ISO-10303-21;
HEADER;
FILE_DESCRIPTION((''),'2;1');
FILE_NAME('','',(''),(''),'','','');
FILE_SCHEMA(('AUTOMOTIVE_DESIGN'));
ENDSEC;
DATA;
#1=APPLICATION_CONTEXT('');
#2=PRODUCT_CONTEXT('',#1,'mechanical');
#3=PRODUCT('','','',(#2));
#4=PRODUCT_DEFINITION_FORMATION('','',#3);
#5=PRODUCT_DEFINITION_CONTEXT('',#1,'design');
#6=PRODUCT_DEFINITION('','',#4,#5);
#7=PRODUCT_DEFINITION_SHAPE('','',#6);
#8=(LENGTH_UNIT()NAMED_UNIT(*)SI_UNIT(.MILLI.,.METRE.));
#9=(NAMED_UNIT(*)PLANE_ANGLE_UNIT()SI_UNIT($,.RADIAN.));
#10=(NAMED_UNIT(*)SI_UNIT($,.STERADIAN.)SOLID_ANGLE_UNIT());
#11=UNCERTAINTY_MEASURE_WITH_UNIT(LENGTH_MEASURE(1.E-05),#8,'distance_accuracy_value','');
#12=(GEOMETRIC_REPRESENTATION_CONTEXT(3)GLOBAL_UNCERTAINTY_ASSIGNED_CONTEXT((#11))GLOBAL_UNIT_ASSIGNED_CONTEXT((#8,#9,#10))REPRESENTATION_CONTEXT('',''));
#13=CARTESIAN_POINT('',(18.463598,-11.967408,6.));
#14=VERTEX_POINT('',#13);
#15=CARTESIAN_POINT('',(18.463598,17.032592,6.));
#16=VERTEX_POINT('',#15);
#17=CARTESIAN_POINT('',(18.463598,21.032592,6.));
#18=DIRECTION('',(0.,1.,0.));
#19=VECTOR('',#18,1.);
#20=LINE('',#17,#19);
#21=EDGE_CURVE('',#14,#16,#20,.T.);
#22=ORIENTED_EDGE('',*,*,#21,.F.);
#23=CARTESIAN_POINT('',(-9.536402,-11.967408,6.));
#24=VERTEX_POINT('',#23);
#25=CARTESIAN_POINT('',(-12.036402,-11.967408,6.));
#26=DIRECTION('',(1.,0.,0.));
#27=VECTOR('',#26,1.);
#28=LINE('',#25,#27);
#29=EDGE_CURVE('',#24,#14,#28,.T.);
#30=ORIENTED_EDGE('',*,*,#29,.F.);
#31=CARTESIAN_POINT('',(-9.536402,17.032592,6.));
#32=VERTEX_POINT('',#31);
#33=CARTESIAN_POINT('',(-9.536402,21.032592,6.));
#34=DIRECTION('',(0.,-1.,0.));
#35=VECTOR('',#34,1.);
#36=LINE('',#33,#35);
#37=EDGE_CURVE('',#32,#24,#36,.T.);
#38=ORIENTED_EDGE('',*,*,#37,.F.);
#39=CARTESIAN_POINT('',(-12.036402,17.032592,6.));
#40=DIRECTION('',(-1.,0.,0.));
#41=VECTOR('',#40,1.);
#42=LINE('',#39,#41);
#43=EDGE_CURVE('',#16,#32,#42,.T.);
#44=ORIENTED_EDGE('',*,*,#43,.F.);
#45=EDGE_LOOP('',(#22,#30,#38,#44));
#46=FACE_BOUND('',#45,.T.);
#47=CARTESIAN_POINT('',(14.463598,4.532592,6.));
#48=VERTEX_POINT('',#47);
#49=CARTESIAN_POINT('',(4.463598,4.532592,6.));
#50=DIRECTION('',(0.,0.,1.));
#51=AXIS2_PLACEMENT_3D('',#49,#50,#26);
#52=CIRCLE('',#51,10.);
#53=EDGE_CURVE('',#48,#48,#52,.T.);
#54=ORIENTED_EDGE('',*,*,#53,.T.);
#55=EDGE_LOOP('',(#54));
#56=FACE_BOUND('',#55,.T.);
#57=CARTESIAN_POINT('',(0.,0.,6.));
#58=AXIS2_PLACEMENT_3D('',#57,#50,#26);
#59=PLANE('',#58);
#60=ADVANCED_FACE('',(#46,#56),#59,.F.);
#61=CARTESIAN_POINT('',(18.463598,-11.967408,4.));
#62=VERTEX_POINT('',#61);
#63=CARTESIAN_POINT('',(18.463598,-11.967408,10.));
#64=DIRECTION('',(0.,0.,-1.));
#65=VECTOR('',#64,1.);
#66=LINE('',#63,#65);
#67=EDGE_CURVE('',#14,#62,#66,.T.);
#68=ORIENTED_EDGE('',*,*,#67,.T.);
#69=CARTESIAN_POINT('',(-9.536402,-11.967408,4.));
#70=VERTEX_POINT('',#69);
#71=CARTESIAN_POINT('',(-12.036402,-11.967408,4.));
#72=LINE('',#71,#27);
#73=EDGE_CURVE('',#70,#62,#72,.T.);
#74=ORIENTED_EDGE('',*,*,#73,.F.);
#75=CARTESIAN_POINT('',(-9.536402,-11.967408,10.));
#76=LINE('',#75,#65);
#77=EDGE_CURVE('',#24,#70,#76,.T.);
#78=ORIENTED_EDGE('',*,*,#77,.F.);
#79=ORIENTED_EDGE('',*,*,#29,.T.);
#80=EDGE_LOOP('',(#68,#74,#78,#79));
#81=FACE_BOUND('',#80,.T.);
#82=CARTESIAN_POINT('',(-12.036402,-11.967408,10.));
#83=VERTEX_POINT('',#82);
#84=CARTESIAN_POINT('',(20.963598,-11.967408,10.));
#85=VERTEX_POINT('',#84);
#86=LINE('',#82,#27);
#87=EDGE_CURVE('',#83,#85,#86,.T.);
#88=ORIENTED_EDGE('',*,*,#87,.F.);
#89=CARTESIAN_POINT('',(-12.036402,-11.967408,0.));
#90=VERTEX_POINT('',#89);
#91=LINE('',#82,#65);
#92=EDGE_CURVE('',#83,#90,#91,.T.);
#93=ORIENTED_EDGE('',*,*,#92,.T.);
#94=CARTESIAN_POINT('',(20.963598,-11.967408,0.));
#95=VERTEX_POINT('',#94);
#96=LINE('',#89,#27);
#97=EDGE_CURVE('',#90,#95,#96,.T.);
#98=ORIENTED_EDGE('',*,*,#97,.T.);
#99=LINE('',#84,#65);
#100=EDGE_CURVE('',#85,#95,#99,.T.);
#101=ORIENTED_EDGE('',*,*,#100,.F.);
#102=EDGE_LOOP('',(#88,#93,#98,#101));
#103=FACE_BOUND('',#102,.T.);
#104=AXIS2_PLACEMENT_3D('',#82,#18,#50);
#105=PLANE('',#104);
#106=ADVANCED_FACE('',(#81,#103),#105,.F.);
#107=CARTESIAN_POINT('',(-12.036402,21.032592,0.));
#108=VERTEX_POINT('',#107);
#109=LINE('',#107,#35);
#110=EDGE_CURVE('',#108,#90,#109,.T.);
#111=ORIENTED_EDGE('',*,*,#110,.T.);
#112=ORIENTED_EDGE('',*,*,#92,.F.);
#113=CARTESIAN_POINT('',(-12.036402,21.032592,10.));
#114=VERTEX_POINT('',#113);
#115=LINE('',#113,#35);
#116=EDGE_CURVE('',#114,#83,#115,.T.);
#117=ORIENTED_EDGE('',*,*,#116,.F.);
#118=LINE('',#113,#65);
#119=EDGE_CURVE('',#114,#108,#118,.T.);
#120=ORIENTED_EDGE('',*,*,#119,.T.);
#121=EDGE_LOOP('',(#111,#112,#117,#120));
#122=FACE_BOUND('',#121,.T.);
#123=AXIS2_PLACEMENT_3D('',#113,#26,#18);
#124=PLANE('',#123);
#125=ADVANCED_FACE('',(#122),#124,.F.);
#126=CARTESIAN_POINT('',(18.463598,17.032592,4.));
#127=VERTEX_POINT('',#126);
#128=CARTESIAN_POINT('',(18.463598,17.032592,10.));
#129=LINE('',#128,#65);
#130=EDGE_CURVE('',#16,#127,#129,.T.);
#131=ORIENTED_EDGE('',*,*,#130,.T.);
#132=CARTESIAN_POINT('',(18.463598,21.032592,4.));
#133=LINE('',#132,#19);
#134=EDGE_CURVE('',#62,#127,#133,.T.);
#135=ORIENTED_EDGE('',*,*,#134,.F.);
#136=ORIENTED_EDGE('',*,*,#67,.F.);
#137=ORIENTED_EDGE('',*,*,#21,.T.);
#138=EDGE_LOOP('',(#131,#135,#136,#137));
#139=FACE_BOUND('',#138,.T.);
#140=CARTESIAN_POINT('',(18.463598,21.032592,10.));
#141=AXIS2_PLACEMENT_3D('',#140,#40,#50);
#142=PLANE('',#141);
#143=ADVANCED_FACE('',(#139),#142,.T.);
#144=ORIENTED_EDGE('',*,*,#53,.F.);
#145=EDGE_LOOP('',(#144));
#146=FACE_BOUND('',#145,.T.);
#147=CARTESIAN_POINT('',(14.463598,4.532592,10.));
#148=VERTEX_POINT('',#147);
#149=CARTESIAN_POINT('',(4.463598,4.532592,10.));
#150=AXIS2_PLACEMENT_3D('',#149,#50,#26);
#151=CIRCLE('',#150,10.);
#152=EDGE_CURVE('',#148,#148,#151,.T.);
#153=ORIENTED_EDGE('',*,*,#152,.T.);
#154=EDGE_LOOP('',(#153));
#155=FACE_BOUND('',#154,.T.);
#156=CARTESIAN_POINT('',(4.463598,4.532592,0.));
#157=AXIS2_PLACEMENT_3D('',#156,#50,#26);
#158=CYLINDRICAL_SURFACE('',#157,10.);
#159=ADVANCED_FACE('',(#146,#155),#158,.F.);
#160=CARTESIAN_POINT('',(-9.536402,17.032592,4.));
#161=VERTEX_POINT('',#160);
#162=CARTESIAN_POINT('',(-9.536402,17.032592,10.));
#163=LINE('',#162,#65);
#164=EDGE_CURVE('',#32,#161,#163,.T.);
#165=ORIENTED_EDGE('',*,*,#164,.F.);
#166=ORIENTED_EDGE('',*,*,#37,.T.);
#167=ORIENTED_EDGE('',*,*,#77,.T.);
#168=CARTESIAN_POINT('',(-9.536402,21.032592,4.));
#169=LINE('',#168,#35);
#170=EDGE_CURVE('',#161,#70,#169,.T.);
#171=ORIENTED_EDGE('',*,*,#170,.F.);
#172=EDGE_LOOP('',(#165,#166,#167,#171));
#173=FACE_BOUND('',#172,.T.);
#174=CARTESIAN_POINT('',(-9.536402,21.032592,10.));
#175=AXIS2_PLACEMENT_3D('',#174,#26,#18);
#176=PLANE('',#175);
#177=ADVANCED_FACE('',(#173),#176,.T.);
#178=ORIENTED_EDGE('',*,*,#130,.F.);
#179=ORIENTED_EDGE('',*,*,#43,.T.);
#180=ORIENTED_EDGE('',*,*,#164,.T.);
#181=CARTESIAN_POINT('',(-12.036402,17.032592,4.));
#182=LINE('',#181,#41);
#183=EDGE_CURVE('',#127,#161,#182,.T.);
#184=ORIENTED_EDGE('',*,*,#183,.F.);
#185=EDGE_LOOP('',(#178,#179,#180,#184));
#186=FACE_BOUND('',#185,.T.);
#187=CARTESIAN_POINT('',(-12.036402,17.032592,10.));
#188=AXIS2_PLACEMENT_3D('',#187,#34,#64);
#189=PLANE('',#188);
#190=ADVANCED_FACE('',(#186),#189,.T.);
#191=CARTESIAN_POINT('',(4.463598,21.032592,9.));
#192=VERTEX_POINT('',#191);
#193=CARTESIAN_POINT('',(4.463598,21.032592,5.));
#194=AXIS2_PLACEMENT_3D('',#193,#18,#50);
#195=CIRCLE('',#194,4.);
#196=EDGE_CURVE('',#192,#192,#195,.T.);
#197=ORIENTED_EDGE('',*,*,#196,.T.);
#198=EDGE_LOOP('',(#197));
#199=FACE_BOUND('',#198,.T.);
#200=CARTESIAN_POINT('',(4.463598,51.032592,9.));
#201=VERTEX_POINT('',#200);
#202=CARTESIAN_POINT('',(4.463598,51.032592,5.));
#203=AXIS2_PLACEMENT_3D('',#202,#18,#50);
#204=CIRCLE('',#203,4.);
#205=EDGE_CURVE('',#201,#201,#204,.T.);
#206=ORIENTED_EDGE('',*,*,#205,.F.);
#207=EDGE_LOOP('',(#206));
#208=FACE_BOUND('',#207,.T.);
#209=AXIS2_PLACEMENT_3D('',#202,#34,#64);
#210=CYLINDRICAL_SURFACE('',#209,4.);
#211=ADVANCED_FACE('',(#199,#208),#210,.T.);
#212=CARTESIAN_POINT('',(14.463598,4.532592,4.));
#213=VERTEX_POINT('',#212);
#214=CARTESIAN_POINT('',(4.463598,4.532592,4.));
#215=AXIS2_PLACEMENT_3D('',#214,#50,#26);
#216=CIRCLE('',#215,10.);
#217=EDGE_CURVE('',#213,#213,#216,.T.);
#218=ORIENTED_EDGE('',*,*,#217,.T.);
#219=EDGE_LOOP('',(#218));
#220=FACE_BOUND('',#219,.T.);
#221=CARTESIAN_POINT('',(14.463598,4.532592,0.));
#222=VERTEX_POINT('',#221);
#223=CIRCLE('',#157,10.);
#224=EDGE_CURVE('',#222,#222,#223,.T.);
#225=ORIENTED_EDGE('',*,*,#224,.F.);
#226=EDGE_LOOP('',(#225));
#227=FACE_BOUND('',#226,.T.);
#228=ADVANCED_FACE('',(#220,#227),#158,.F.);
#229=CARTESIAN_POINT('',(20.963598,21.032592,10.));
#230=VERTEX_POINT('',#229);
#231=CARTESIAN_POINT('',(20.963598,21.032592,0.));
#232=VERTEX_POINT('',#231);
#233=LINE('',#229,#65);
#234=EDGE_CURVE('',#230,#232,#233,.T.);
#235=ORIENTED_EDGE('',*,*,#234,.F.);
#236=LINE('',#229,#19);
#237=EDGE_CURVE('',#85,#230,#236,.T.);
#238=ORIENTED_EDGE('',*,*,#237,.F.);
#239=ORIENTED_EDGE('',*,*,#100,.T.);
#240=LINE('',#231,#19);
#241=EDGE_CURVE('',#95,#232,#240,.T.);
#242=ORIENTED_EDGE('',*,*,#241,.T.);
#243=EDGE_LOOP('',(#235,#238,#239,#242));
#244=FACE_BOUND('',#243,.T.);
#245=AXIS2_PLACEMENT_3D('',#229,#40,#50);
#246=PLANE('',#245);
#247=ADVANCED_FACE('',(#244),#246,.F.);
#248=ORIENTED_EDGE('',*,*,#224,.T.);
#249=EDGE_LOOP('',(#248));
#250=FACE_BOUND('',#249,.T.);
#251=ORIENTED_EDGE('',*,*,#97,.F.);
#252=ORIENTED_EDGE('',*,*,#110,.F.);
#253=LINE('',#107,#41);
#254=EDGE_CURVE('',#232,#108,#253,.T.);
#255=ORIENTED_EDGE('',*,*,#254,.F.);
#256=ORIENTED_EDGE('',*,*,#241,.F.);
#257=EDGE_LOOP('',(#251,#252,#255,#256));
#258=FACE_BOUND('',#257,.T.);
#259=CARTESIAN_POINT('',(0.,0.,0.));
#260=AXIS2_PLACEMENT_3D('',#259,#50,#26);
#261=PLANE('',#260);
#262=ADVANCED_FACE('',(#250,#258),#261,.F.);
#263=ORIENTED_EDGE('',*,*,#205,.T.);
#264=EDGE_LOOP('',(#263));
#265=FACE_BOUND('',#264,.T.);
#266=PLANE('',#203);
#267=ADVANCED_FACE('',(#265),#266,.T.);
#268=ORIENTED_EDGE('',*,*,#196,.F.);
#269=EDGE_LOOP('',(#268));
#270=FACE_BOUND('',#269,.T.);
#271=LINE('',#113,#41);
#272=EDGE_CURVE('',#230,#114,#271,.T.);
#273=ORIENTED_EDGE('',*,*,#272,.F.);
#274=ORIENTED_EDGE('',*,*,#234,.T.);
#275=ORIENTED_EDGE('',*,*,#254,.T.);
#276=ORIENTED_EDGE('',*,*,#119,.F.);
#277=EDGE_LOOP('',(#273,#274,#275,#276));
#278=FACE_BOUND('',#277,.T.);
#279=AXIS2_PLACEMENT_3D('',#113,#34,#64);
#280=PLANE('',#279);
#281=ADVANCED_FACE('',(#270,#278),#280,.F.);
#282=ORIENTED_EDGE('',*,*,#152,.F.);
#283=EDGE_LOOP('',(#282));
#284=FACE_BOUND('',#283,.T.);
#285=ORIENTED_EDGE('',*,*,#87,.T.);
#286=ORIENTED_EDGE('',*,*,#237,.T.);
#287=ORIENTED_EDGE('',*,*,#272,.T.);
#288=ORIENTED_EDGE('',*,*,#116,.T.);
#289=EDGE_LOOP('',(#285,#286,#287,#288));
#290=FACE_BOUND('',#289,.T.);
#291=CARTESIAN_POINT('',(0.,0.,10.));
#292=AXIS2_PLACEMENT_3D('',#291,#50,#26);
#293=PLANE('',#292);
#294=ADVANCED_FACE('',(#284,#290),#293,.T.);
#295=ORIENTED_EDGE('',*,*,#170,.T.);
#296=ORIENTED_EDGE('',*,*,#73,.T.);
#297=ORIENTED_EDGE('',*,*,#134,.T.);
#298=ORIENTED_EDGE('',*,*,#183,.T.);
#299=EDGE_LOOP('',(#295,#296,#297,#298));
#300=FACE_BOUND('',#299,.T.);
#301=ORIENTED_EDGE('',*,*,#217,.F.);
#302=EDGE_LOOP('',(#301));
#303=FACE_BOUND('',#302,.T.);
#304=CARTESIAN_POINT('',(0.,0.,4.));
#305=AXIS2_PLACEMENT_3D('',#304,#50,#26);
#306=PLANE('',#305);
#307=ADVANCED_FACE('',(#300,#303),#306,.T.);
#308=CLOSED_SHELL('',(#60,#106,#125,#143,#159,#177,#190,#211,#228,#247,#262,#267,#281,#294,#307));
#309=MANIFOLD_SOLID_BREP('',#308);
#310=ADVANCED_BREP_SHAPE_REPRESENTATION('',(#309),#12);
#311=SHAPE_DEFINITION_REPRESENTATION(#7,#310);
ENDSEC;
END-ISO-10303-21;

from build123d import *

# Parameters (mm, degrees)
SKETCH1_W                 = 33
SKETCH1_H                 = 33
BOSS_EXTRUDE1_DEPTH       = 10
SHELL1_T                  = -4
SHELL1_THICKNESS_2_FACE_W = 2
SHELL1_THICKNESS_2_FACE_H = 29
SHELL1_THICKNESS_2_DEPTH  = 1.5
SHELL1_THICKNESS_3_FACE_W = 29
SHELL1_THICKNESS_3_FACE_H = 2
SHELL1_THICKNESS_3_DEPTH  = 1.5
SKETCH3_R                 = 10
CUT_EXTRUDE1_DEPTH        = 10
SKETCH5_R                 = 4
BOSS_EXTRUDE2_DEPTH       = 30


with BuildPart() as part:
    # Sketch1 → Boss-Extrude1 (new body)
    with BuildSketch(Plane.XY):
        with Locations((4.463597679, 4.532591876)):
            Rectangle(SKETCH1_W, SKETCH1_H)
    extrude(amount=BOSS_EXTRUDE1_DEPTH)

    # Shell1
    shell1_openings = [part.faces().sort_by_distance(p)[0] for p in [
        (4.463597679, -11.967408124, 5),
    ]]
    offset(amount=SHELL1_T, openings=shell1_openings, kind=Kind.INTERSECTION)

    # Shell1 thickness 2 face (on inner face of the shell) → Shell1 thickness 2 (cut)
    with BuildSketch(Plane(origin=(16.963597679, 2.532591876, 5), x_dir=(0, 0, 1), z_dir=(1, 0, 0))):
        Rectangle(SHELL1_THICKNESS_2_FACE_W, SHELL1_THICKNESS_2_FACE_H)
    extrude(amount=SHELL1_THICKNESS_2_DEPTH, mode=Mode.SUBTRACT)

    # Shell1 thickness 3 face (on inner face of the shell) → Shell1 thickness 3 (cut)
    with BuildSketch(Plane(origin=(-8.036402321, 2.532591876, 5), x_dir=(0, -1, 0), z_dir=(-1, 0, 0))):
        Rectangle(SHELL1_THICKNESS_3_FACE_W, SHELL1_THICKNESS_3_FACE_H)
    extrude(amount=SHELL1_THICKNESS_3_DEPTH, mode=Mode.SUBTRACT)

    # Sketch3 → Cut-Extrude1 (cut)
    with BuildSketch(Plane.XY.offset(10)):
        with Locations((4.463597679, 4.532591876)):
            Circle(SKETCH3_R)
    extrude(amount=-CUT_EXTRUDE1_DEPTH, mode=Mode.SUBTRACT)

    # Sketch5 → Boss-Extrude2 (add)
    with BuildSketch(Plane(origin=(0, 21.032591876, 0), x_dir=(1, 0, 0), z_dir=(0, 1, 0))):
        with Locations(Location((4.463597679, -5, 0), (0, 0, 270))):
            Circle(SKETCH5_R)
    extrude(amount=BOSS_EXTRUDE2_DEPTH)


solid = part.part
